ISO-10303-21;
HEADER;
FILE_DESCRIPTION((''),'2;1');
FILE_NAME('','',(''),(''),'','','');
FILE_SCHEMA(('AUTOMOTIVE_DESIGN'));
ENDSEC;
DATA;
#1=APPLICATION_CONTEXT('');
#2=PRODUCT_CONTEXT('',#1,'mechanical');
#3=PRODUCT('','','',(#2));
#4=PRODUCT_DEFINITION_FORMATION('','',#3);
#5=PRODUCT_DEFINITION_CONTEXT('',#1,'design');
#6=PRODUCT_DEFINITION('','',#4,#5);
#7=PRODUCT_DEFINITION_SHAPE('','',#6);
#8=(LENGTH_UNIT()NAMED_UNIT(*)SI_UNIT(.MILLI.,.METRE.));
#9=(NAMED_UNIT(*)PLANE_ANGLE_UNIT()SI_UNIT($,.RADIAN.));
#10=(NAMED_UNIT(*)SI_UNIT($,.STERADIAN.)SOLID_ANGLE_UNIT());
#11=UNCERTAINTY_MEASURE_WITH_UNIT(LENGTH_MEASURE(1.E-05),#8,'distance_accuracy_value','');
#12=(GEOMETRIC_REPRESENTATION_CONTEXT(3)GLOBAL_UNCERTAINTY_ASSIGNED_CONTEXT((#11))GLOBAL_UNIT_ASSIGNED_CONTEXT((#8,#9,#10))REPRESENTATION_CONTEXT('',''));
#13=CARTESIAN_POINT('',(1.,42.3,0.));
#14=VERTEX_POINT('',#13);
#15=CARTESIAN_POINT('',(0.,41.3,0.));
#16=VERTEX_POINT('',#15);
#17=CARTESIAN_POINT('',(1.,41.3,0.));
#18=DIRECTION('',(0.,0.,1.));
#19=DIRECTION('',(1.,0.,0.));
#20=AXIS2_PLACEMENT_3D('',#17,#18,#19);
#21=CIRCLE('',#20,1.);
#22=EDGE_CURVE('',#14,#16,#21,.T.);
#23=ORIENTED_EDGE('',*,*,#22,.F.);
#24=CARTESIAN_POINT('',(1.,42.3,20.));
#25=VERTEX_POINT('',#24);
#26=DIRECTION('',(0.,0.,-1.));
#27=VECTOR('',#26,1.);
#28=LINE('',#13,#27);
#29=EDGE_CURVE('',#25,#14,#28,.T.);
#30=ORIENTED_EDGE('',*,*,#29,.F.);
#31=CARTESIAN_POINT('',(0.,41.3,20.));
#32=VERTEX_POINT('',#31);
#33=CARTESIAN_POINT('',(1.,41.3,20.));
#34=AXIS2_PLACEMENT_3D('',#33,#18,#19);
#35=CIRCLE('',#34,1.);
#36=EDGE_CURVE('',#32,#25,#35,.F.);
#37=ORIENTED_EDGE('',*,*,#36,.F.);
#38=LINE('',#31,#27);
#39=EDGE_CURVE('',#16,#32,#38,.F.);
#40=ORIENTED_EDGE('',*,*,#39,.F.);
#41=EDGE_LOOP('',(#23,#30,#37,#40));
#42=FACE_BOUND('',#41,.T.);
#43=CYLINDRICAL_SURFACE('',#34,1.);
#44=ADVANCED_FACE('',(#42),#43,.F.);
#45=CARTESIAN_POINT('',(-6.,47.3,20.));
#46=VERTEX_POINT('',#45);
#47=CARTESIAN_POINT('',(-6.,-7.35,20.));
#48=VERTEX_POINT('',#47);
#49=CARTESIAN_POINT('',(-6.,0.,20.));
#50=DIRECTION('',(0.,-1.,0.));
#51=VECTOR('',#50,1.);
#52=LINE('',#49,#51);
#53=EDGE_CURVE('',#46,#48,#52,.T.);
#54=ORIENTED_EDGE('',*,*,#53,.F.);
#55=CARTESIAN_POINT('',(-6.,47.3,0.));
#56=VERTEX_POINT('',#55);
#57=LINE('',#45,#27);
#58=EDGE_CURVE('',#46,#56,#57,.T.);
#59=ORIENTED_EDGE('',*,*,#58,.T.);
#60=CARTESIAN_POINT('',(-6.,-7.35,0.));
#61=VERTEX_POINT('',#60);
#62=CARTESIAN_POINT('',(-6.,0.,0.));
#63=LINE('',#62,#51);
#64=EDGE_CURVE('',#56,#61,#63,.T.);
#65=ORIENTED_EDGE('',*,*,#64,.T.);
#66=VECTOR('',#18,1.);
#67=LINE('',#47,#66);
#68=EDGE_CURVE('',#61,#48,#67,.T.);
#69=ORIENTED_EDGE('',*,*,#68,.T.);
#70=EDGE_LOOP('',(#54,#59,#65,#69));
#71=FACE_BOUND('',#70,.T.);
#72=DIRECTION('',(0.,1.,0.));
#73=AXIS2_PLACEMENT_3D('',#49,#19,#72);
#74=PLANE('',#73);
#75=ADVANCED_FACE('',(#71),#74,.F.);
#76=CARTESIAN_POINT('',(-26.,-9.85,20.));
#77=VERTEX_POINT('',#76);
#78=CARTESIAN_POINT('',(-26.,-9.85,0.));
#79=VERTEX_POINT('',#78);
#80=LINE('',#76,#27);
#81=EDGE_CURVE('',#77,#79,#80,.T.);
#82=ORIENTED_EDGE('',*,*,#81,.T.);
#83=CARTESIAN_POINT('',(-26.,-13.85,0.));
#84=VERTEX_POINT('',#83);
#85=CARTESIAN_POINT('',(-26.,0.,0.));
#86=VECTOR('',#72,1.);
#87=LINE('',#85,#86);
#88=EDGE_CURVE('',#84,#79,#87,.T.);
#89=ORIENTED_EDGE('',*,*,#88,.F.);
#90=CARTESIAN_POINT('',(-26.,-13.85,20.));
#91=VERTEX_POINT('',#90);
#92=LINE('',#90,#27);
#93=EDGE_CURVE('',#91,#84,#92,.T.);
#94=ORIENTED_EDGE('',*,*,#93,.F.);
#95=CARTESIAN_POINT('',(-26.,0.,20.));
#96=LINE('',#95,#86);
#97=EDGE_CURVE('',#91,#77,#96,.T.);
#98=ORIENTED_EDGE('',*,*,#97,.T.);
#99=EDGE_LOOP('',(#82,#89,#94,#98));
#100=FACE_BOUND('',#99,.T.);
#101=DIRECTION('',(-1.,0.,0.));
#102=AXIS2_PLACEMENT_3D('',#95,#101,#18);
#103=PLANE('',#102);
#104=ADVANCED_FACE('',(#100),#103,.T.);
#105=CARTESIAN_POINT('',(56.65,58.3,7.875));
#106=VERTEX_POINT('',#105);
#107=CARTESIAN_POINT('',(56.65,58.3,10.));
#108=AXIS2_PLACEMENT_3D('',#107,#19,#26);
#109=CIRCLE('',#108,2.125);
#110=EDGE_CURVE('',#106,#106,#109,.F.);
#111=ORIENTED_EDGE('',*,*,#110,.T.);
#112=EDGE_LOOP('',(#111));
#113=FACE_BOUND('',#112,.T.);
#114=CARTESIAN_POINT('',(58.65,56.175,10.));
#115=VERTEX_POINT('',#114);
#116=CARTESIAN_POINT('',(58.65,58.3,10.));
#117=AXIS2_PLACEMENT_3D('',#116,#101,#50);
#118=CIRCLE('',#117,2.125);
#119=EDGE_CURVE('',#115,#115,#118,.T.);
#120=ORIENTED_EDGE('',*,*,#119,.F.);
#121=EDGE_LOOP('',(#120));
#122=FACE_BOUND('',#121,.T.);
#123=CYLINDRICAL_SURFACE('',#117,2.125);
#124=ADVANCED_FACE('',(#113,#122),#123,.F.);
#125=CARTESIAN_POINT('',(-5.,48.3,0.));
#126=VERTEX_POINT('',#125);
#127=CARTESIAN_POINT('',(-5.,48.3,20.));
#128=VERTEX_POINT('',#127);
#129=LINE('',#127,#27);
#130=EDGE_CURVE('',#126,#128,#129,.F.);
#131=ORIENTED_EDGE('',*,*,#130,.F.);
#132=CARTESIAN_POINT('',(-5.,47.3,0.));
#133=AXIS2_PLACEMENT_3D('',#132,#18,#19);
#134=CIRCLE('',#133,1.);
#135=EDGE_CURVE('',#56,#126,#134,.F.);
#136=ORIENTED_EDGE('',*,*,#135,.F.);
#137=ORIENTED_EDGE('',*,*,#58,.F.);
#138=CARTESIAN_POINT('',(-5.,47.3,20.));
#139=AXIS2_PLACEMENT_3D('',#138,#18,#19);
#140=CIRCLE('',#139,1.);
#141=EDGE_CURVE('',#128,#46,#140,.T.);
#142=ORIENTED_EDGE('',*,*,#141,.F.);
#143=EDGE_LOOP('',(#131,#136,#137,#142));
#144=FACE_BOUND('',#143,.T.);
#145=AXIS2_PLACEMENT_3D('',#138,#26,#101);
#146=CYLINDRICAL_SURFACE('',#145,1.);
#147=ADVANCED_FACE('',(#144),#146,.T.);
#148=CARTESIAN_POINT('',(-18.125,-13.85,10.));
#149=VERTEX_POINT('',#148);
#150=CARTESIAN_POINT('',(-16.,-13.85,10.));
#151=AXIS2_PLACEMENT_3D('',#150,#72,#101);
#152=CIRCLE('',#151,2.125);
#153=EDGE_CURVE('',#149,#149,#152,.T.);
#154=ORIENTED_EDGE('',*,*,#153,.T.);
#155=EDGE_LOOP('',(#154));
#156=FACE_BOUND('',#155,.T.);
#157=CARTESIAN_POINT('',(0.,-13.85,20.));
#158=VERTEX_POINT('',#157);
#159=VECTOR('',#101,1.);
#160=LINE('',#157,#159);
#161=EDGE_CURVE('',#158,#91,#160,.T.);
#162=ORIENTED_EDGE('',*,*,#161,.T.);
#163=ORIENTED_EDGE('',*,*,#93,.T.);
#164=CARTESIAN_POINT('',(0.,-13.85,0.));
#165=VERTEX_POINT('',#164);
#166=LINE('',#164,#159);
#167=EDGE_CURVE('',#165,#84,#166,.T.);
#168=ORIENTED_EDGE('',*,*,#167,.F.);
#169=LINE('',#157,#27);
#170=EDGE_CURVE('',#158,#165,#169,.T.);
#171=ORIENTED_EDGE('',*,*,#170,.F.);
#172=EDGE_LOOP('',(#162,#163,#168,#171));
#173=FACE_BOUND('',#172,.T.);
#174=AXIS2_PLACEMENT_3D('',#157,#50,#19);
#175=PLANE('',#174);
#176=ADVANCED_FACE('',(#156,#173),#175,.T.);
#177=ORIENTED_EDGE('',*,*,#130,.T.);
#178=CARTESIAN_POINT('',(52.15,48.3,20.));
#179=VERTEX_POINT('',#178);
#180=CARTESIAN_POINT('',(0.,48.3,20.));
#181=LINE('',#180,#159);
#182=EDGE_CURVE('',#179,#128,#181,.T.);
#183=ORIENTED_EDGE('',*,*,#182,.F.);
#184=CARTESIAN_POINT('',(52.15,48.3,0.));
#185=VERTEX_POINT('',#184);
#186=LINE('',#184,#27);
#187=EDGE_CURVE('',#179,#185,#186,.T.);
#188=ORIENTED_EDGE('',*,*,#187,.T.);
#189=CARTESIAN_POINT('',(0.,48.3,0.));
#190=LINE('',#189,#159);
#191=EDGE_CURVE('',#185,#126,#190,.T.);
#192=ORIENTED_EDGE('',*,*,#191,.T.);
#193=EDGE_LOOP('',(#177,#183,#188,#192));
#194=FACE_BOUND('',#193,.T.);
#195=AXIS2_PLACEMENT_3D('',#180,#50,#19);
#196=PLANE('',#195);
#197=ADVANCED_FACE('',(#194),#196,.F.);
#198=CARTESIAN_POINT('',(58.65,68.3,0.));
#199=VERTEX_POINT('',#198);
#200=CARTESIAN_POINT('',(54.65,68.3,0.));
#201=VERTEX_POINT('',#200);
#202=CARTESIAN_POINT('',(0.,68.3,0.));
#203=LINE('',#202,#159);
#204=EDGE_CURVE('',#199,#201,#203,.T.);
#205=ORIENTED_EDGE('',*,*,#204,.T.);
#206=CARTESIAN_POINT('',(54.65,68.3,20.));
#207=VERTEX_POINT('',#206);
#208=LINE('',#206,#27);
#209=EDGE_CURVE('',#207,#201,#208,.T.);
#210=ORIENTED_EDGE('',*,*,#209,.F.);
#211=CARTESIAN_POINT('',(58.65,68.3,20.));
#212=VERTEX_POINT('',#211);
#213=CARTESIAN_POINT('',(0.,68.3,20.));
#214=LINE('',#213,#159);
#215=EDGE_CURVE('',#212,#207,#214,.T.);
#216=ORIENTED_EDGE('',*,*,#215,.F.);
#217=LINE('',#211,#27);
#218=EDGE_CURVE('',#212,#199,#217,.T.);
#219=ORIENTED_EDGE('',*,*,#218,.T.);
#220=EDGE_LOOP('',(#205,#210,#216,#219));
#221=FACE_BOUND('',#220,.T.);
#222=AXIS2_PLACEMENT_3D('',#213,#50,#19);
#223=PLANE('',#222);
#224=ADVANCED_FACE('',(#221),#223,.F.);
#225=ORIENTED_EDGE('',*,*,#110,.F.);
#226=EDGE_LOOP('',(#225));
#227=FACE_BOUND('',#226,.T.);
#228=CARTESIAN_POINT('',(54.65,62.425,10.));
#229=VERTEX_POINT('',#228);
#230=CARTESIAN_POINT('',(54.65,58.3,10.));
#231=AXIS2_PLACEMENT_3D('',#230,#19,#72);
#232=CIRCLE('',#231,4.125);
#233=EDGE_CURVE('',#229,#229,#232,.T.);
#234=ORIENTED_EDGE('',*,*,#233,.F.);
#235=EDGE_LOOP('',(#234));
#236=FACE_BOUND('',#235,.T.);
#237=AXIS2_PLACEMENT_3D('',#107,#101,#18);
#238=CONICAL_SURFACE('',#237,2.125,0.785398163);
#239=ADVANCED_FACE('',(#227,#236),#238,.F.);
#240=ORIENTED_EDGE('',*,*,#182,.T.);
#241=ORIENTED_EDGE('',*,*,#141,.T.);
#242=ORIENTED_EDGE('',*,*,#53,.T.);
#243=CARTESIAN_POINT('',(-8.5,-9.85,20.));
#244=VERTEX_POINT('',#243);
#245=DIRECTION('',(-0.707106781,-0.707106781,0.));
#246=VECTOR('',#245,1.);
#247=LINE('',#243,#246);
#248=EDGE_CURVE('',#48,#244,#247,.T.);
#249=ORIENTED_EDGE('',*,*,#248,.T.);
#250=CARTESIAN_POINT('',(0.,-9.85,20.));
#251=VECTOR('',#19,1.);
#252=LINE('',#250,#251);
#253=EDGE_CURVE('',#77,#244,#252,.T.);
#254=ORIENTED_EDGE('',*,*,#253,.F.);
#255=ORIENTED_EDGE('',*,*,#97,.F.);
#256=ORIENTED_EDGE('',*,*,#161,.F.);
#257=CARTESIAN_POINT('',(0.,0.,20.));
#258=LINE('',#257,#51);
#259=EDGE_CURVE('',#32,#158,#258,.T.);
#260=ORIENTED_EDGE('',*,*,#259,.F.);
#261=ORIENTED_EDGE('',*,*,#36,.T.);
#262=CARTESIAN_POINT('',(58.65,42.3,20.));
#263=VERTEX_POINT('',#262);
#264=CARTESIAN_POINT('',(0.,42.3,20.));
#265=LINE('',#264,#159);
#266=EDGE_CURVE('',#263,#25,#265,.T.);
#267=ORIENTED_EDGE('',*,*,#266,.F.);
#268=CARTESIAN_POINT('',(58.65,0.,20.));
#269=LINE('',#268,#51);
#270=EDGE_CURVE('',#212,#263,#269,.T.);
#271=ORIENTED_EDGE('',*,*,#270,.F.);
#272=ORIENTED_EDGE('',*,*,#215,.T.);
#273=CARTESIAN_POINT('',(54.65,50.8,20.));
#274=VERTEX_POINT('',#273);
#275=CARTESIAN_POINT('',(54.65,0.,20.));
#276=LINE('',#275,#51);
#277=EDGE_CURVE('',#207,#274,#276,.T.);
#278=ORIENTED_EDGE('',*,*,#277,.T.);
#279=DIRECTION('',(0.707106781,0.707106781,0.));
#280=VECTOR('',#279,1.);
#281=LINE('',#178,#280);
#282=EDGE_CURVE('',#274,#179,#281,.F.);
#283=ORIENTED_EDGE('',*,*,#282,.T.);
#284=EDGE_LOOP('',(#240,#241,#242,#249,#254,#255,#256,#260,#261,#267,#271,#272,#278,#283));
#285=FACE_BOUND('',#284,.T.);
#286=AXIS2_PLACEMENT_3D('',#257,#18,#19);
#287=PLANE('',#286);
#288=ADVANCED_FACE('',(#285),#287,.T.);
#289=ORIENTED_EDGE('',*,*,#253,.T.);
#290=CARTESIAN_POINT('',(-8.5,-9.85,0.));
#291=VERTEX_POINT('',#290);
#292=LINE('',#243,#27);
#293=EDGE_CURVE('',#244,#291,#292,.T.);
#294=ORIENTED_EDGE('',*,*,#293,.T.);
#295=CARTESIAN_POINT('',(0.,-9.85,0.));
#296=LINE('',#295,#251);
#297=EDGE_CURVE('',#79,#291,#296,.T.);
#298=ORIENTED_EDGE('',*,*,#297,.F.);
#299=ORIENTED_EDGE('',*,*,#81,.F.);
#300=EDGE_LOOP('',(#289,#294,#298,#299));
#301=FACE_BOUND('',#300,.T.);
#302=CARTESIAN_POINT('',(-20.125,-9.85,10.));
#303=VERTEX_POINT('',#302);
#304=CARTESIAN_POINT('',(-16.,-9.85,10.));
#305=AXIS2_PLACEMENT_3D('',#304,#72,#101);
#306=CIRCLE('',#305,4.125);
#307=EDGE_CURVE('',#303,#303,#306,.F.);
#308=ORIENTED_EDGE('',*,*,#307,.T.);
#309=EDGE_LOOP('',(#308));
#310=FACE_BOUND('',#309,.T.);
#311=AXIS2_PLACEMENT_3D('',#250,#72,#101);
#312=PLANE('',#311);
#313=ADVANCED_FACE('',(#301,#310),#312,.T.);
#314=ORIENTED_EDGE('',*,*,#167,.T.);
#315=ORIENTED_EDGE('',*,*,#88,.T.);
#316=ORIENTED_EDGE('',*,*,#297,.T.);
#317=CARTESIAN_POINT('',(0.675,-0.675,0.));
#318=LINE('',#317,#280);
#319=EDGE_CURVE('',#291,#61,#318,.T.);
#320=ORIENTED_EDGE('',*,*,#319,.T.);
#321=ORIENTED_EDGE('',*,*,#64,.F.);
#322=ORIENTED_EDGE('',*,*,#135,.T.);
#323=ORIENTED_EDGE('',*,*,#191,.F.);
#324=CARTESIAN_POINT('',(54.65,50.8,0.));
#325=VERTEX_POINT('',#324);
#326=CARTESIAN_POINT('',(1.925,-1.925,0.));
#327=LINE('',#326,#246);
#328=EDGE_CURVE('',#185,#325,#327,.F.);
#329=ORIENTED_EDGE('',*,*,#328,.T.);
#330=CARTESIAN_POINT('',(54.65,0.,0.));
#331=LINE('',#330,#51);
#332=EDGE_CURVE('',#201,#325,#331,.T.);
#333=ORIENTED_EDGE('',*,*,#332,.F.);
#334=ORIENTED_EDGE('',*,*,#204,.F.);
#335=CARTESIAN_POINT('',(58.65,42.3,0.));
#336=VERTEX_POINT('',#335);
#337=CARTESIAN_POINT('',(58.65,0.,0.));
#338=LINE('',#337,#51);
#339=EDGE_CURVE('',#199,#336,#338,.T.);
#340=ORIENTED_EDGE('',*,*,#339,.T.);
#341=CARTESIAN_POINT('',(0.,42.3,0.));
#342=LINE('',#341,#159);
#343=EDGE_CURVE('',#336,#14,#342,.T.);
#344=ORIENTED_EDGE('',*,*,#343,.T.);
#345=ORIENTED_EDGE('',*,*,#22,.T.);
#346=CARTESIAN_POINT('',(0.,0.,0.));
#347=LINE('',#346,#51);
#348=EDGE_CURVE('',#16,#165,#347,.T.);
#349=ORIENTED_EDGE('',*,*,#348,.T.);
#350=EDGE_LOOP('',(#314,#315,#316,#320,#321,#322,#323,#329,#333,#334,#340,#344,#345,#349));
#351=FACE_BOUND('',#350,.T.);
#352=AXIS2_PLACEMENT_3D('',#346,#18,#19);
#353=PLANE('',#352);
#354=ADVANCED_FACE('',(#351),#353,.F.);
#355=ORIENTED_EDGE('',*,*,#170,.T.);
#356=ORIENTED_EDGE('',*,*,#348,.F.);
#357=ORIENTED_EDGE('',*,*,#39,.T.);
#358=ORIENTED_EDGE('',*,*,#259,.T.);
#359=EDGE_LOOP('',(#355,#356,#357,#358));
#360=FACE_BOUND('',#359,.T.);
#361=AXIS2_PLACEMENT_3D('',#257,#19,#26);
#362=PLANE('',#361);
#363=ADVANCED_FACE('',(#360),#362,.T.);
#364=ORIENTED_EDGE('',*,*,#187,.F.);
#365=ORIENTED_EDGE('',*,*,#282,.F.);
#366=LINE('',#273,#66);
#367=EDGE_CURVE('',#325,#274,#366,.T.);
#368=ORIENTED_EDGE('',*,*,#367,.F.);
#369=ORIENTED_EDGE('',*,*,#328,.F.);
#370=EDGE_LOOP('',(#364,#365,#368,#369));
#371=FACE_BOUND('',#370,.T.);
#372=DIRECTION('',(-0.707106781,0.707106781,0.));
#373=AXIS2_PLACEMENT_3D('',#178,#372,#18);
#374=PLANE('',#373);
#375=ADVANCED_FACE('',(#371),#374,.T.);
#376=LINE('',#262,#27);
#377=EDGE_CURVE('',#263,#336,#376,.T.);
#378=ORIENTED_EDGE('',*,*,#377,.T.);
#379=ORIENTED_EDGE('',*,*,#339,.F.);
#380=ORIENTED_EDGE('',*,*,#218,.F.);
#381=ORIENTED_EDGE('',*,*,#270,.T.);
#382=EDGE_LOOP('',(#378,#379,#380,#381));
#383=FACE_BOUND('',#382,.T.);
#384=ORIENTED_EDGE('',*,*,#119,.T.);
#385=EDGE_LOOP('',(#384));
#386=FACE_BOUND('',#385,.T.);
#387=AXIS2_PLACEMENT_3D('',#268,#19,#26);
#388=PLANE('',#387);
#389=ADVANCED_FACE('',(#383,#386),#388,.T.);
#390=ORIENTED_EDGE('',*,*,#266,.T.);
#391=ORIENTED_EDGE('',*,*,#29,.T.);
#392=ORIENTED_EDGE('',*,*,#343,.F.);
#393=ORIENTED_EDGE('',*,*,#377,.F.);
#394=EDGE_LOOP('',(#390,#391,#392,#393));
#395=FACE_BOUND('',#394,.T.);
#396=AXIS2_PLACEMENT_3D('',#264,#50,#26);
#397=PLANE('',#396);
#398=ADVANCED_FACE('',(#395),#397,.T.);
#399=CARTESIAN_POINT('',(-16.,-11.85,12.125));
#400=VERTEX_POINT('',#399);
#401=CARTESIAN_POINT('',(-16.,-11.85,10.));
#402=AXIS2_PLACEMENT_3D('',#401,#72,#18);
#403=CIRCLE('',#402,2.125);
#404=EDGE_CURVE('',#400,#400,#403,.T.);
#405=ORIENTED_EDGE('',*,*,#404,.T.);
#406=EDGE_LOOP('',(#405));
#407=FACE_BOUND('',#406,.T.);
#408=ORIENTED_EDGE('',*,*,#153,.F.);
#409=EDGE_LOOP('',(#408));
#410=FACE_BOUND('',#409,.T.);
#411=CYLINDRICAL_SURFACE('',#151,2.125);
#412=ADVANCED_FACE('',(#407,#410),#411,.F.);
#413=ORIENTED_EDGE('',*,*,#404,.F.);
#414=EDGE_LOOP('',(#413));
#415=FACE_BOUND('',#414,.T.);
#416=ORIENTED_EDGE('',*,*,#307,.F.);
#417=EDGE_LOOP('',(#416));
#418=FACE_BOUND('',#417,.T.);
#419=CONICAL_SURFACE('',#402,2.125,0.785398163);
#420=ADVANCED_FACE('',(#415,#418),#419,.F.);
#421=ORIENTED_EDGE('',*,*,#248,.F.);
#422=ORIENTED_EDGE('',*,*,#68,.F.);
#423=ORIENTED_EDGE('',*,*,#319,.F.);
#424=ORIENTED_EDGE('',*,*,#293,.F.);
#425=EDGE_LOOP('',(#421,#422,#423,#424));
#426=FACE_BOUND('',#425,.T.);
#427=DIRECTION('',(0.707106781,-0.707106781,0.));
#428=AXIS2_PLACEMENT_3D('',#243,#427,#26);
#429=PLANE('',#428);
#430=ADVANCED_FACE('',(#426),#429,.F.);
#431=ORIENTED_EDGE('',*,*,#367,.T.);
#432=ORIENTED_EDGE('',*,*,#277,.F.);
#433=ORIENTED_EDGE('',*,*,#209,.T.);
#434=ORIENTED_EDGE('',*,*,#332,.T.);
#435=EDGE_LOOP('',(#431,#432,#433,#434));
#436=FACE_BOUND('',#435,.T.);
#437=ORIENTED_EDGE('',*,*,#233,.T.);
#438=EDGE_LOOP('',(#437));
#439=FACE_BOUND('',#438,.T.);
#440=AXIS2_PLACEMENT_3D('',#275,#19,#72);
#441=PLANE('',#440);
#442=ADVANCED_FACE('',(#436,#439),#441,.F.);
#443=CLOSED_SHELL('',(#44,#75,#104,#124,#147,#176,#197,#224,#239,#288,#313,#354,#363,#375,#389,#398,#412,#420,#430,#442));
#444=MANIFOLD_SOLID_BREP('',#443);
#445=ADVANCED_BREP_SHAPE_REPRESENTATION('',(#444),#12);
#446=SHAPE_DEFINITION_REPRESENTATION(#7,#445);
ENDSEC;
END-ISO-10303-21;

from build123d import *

# Parameters (mm, degrees)
SKETCH1_W           = 20
SKETCH1_H           = 4
SKETCH1_W_2         = 4
SKETCH1_H_2         = 20
BOSS_EXTRUDE1_DEPTH = 20
SKETCH2_R           = 2.125
CUT_EXTRUDE1_DEPTH  = 100.735876193
SKETCH3_R           = 2.125
CUT_EXTRUDE2_DEPTH  = 108.560738655
CHAMFER1_SIZE       = 2
CHAMFER2_SIZE       = 2.5
FILLET1_R           = 1


with BuildPart() as part:
    # Sketch1 → Boss-Extrude1 (new body)
    with BuildSketch(Plane.XY):
        with Locations((-16, -11.85)):
            Rectangle(SKETCH1_W, SKETCH1_H)
        Polygon((58.65, 48.3), (58.65, 42.3), (0, 42.3), (0, -13.85), (-6, -13.85), (-6, 48.3), align=None)
        with Locations((56.65, 58.3)):
            Rectangle(SKETCH1_W_2, SKETCH1_H_2)
    extrude(amount=BOSS_EXTRUDE1_DEPTH)

    # Sketch2 → Cut-Extrude1 (cut, through all)
    with BuildSketch(Plane(origin=(0, -9.85, 0), x_dir=(1, 0, 0), z_dir=(0, 1, 0))):
        with Locations(Location((-16, -10, 0), (0, 0, 180))):
            Circle(SKETCH2_R)
    extrude(amount=-CUT_EXTRUDE1_DEPTH, mode=Mode.SUBTRACT)

    # Sketch3 → Cut-Extrude2 (cut, through all)
    with BuildSketch(Plane.ZY.offset(-54.65)):
        with Locations(Location((10, 58.3, 0), (0, 0, 270))):
            Circle(SKETCH3_R)
    extrude(amount=-CUT_EXTRUDE2_DEPTH, mode=Mode.SUBTRACT)

    # Chamfer1
    chamfer1_edges = [part.edges().sort_by_distance(p)[0] for p in [
        (-13.875, -9.85, 10),
        (54.65, 60.425, 10),
    ]]
    chamfer(chamfer1_edges, length=CHAMFER1_SIZE)

    # Chamfer2
    chamfer2_edges = [part.edges().sort_by_distance(p)[0] for p in [
        (-6, -9.85, 10),
        (54.65, 48.3, 10),
    ]]
    chamfer(chamfer2_edges, length=CHAMFER2_SIZE)

    # Fillet1
    fillet1_edges = [part.edges().sort_by_distance(p)[0] for p in [
        (-6, 48.3, 10),
        (0, 42.3, 10),
    ]]
    fillet(fillet1_edges, radius=FILLET1_R)


solid = part.part
